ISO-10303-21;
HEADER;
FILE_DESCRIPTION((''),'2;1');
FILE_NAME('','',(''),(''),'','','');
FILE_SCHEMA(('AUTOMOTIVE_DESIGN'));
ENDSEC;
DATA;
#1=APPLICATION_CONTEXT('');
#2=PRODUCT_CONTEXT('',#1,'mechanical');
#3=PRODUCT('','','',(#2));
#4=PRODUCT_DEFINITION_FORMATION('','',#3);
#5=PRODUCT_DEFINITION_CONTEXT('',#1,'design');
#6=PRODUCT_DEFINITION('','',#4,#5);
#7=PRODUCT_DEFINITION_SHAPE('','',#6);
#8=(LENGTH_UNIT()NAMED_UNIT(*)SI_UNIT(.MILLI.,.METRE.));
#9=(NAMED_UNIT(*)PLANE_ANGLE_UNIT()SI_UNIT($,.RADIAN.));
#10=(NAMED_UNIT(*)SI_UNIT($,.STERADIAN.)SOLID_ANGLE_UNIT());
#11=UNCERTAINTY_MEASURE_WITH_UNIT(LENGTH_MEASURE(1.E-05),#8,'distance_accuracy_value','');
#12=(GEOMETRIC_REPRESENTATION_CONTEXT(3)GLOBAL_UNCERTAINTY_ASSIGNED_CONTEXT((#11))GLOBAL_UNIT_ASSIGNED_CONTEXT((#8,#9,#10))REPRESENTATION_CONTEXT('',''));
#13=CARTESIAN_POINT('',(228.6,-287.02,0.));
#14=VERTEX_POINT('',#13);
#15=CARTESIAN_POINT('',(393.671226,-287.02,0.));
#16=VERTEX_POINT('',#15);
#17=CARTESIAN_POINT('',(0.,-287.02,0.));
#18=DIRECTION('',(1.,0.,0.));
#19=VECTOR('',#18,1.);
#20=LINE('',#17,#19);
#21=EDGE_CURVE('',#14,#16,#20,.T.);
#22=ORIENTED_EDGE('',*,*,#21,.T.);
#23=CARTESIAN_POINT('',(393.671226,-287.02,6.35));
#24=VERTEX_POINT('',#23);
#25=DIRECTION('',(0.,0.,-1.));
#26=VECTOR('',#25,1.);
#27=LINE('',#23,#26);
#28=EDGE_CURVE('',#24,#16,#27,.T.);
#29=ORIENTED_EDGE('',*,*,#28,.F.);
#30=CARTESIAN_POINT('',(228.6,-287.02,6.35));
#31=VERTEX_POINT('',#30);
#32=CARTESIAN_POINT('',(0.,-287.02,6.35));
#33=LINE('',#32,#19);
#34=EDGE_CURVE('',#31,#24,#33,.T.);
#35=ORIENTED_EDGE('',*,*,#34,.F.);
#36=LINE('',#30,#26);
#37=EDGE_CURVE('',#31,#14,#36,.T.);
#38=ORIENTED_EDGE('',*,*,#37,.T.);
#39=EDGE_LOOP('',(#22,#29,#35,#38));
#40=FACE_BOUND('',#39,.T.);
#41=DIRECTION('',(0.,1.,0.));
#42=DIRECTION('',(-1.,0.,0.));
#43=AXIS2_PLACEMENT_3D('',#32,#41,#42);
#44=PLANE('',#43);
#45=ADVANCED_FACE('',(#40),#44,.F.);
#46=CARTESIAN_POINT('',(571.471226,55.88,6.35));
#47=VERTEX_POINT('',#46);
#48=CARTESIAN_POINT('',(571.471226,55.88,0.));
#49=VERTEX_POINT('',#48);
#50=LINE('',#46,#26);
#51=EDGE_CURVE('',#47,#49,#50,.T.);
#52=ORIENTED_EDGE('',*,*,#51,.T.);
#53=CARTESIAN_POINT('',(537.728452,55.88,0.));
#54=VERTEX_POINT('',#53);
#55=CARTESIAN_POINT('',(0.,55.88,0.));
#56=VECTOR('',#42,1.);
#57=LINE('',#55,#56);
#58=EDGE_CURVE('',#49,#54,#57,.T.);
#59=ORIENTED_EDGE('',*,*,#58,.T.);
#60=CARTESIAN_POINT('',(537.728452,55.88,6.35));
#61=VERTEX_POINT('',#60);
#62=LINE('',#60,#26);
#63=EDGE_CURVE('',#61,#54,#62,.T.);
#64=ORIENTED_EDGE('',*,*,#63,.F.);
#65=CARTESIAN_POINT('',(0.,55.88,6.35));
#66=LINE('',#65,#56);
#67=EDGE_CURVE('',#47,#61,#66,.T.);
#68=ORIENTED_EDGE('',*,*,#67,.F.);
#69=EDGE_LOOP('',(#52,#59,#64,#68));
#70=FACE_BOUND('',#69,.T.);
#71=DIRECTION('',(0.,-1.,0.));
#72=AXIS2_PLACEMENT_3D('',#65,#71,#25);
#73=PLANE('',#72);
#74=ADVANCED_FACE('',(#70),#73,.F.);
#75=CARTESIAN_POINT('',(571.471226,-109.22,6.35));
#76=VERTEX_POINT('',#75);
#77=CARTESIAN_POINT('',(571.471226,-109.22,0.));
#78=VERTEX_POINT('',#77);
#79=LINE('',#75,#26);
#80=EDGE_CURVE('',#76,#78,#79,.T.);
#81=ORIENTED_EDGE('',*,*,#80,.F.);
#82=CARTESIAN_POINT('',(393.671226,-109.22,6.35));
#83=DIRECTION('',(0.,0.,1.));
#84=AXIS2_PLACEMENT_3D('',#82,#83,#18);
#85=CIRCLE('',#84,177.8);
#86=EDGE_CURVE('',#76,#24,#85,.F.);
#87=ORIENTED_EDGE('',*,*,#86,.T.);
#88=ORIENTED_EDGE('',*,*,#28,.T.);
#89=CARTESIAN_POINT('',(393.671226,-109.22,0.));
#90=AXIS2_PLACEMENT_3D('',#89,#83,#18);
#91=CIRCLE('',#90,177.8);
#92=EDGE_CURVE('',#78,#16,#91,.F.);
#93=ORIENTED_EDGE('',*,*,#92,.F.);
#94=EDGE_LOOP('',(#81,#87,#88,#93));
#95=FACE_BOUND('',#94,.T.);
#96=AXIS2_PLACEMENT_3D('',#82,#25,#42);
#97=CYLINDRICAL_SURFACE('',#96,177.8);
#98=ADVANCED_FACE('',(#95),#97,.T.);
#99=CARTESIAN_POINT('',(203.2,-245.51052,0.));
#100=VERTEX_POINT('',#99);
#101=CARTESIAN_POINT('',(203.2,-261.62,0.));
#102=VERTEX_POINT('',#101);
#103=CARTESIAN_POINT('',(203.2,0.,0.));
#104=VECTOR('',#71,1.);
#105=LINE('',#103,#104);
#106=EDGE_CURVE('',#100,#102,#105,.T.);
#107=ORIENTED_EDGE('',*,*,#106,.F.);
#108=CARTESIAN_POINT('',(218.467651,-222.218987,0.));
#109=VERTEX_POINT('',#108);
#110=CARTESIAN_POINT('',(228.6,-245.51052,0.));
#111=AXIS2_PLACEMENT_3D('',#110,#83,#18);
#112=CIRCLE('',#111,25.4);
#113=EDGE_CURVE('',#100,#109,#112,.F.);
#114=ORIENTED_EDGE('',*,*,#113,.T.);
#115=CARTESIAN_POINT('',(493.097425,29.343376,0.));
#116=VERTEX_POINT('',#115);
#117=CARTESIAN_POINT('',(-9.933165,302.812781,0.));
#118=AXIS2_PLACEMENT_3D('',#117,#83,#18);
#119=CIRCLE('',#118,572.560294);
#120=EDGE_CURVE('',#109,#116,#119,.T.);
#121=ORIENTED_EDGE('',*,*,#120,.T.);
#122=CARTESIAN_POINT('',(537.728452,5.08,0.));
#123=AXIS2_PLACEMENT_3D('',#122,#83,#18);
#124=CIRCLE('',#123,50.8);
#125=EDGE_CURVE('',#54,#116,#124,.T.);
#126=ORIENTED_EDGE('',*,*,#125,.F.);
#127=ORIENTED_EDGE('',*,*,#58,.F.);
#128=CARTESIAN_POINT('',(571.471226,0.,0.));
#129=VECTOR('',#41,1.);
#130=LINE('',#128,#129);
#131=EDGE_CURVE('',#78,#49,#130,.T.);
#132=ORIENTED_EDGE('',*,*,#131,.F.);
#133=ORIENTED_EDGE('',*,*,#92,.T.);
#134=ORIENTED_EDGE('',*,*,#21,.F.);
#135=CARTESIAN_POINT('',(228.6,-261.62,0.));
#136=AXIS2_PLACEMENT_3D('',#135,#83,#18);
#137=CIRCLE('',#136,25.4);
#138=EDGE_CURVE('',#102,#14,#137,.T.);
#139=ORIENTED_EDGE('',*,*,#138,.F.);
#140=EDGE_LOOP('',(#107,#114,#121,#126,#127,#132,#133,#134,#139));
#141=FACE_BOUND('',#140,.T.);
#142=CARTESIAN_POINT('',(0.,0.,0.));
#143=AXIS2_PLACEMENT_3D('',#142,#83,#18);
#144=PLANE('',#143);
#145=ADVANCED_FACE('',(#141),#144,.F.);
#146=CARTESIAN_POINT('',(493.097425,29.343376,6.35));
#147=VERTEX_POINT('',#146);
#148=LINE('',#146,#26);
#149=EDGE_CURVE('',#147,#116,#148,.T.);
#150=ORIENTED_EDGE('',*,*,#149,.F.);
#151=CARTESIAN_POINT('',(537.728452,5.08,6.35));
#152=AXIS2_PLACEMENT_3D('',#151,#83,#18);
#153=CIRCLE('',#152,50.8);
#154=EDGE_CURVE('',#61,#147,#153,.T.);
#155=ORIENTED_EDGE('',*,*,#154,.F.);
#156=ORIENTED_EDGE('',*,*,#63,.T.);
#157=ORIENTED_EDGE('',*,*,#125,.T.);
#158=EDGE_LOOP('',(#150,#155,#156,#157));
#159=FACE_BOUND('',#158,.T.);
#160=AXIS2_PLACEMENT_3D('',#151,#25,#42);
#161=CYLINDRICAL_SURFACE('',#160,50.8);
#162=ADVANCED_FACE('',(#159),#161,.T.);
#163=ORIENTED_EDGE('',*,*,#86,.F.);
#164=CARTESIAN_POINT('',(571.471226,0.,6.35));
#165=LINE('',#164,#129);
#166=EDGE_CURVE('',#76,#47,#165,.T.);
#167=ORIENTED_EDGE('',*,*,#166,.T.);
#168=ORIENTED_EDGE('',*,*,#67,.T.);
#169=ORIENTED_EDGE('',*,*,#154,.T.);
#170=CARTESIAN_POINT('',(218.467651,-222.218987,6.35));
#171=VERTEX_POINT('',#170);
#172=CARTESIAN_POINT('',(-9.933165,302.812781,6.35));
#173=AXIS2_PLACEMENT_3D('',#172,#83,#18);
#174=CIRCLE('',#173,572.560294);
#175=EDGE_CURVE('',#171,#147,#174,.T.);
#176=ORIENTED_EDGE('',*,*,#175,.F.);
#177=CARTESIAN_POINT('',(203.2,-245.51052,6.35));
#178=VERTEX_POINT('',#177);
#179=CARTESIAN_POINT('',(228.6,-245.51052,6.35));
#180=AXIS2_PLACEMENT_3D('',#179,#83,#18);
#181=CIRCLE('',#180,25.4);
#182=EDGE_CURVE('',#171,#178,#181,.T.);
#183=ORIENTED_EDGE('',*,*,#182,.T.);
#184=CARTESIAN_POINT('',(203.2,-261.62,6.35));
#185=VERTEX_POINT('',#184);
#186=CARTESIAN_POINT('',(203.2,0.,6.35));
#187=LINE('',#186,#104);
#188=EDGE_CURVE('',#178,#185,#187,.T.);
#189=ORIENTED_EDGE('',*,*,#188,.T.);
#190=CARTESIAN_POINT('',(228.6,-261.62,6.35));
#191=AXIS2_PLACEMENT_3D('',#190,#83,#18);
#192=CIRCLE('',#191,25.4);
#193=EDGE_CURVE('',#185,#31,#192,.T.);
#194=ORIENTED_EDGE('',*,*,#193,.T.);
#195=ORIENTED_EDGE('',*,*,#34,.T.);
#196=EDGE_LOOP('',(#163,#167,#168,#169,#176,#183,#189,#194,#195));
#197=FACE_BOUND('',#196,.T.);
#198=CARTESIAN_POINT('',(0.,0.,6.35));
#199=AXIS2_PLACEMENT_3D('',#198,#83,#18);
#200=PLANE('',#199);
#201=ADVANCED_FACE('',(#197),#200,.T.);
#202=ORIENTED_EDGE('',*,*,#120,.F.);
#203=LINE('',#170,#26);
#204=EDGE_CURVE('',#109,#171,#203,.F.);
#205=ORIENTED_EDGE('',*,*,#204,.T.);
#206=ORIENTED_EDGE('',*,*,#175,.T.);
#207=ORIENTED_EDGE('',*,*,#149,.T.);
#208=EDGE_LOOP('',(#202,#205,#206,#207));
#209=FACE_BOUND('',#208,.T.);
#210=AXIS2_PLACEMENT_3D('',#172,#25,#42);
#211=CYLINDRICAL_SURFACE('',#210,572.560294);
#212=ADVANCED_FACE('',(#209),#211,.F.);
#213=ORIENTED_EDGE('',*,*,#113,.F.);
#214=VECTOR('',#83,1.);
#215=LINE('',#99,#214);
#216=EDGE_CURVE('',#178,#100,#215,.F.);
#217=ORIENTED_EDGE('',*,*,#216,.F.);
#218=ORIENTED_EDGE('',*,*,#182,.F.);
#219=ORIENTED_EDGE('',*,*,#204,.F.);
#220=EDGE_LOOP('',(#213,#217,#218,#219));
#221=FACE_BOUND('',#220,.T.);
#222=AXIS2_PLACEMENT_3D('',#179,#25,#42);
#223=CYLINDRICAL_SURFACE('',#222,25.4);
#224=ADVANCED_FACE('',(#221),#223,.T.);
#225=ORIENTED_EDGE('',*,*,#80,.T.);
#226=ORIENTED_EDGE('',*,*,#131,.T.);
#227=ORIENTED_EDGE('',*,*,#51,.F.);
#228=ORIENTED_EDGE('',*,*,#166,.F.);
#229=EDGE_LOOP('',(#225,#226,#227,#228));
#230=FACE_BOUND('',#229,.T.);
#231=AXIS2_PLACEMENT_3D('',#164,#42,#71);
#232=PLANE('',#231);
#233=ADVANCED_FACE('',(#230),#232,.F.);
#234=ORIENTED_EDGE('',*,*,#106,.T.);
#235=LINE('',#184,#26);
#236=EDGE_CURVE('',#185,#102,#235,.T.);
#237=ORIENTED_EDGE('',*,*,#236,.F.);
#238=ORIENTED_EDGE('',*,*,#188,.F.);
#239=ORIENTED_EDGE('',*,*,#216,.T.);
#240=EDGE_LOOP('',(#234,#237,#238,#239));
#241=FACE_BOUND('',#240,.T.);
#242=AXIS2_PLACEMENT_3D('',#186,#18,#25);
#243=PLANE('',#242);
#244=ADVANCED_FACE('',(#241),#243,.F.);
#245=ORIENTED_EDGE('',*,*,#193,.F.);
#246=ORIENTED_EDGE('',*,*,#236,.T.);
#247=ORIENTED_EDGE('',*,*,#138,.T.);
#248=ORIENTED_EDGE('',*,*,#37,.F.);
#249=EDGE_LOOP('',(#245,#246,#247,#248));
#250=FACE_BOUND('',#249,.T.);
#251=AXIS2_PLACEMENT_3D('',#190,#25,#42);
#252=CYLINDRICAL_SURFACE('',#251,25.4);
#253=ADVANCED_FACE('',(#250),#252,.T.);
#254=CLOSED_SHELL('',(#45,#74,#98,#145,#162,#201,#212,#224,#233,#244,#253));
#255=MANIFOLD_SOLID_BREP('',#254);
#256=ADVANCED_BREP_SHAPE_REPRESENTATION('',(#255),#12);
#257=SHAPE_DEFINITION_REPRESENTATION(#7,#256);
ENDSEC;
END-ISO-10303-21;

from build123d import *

# Parameters (mm, degrees)
BOSS_EXTRUDE1_DEPTH = 6.35
FILLET1_R           = 25.4


with BuildPart() as part:
    # Sketch1 → Boss-Extrude1 (new body)
    with BuildSketch(Plane.XY):
        with BuildLine():
            Line((203.2, -228.6), (203.2, -261.62))
            ThreePointArc((203.2, -261.62), (210.639487758, -279.580512242), (228.6, -287.02))
            Line((228.6, -287.02), (393.671225938, -287.02))
            ThreePointArc((393.671225938, -287.02), (519.394811633, -234.943585695), (571.471225938, -109.22))
            Line((571.471225938, -109.22), (571.471225938, 55.88))
            Line((571.471225938, 55.88), (537.728452035, 55.88))
            ThreePointArc((537.728452035, 55.88), (511.766359552, 48.744742687), (493.097424953, 29.343376138))
            ThreePointArc((493.097424953, 29.343376138), (370.666792044, -124.935933237), (203.2, -228.6))
        make_face()
    extrude(amount=BOSS_EXTRUDE1_DEPTH)

    # Fillet1
    fillet1_edges = [part.edges().sort_by_distance(p)[0] for p in [
        (203.2, -228.6, 3.175),
    ]]
    fillet(fillet1_edges, radius=FILLET1_R)


solid = part.part
